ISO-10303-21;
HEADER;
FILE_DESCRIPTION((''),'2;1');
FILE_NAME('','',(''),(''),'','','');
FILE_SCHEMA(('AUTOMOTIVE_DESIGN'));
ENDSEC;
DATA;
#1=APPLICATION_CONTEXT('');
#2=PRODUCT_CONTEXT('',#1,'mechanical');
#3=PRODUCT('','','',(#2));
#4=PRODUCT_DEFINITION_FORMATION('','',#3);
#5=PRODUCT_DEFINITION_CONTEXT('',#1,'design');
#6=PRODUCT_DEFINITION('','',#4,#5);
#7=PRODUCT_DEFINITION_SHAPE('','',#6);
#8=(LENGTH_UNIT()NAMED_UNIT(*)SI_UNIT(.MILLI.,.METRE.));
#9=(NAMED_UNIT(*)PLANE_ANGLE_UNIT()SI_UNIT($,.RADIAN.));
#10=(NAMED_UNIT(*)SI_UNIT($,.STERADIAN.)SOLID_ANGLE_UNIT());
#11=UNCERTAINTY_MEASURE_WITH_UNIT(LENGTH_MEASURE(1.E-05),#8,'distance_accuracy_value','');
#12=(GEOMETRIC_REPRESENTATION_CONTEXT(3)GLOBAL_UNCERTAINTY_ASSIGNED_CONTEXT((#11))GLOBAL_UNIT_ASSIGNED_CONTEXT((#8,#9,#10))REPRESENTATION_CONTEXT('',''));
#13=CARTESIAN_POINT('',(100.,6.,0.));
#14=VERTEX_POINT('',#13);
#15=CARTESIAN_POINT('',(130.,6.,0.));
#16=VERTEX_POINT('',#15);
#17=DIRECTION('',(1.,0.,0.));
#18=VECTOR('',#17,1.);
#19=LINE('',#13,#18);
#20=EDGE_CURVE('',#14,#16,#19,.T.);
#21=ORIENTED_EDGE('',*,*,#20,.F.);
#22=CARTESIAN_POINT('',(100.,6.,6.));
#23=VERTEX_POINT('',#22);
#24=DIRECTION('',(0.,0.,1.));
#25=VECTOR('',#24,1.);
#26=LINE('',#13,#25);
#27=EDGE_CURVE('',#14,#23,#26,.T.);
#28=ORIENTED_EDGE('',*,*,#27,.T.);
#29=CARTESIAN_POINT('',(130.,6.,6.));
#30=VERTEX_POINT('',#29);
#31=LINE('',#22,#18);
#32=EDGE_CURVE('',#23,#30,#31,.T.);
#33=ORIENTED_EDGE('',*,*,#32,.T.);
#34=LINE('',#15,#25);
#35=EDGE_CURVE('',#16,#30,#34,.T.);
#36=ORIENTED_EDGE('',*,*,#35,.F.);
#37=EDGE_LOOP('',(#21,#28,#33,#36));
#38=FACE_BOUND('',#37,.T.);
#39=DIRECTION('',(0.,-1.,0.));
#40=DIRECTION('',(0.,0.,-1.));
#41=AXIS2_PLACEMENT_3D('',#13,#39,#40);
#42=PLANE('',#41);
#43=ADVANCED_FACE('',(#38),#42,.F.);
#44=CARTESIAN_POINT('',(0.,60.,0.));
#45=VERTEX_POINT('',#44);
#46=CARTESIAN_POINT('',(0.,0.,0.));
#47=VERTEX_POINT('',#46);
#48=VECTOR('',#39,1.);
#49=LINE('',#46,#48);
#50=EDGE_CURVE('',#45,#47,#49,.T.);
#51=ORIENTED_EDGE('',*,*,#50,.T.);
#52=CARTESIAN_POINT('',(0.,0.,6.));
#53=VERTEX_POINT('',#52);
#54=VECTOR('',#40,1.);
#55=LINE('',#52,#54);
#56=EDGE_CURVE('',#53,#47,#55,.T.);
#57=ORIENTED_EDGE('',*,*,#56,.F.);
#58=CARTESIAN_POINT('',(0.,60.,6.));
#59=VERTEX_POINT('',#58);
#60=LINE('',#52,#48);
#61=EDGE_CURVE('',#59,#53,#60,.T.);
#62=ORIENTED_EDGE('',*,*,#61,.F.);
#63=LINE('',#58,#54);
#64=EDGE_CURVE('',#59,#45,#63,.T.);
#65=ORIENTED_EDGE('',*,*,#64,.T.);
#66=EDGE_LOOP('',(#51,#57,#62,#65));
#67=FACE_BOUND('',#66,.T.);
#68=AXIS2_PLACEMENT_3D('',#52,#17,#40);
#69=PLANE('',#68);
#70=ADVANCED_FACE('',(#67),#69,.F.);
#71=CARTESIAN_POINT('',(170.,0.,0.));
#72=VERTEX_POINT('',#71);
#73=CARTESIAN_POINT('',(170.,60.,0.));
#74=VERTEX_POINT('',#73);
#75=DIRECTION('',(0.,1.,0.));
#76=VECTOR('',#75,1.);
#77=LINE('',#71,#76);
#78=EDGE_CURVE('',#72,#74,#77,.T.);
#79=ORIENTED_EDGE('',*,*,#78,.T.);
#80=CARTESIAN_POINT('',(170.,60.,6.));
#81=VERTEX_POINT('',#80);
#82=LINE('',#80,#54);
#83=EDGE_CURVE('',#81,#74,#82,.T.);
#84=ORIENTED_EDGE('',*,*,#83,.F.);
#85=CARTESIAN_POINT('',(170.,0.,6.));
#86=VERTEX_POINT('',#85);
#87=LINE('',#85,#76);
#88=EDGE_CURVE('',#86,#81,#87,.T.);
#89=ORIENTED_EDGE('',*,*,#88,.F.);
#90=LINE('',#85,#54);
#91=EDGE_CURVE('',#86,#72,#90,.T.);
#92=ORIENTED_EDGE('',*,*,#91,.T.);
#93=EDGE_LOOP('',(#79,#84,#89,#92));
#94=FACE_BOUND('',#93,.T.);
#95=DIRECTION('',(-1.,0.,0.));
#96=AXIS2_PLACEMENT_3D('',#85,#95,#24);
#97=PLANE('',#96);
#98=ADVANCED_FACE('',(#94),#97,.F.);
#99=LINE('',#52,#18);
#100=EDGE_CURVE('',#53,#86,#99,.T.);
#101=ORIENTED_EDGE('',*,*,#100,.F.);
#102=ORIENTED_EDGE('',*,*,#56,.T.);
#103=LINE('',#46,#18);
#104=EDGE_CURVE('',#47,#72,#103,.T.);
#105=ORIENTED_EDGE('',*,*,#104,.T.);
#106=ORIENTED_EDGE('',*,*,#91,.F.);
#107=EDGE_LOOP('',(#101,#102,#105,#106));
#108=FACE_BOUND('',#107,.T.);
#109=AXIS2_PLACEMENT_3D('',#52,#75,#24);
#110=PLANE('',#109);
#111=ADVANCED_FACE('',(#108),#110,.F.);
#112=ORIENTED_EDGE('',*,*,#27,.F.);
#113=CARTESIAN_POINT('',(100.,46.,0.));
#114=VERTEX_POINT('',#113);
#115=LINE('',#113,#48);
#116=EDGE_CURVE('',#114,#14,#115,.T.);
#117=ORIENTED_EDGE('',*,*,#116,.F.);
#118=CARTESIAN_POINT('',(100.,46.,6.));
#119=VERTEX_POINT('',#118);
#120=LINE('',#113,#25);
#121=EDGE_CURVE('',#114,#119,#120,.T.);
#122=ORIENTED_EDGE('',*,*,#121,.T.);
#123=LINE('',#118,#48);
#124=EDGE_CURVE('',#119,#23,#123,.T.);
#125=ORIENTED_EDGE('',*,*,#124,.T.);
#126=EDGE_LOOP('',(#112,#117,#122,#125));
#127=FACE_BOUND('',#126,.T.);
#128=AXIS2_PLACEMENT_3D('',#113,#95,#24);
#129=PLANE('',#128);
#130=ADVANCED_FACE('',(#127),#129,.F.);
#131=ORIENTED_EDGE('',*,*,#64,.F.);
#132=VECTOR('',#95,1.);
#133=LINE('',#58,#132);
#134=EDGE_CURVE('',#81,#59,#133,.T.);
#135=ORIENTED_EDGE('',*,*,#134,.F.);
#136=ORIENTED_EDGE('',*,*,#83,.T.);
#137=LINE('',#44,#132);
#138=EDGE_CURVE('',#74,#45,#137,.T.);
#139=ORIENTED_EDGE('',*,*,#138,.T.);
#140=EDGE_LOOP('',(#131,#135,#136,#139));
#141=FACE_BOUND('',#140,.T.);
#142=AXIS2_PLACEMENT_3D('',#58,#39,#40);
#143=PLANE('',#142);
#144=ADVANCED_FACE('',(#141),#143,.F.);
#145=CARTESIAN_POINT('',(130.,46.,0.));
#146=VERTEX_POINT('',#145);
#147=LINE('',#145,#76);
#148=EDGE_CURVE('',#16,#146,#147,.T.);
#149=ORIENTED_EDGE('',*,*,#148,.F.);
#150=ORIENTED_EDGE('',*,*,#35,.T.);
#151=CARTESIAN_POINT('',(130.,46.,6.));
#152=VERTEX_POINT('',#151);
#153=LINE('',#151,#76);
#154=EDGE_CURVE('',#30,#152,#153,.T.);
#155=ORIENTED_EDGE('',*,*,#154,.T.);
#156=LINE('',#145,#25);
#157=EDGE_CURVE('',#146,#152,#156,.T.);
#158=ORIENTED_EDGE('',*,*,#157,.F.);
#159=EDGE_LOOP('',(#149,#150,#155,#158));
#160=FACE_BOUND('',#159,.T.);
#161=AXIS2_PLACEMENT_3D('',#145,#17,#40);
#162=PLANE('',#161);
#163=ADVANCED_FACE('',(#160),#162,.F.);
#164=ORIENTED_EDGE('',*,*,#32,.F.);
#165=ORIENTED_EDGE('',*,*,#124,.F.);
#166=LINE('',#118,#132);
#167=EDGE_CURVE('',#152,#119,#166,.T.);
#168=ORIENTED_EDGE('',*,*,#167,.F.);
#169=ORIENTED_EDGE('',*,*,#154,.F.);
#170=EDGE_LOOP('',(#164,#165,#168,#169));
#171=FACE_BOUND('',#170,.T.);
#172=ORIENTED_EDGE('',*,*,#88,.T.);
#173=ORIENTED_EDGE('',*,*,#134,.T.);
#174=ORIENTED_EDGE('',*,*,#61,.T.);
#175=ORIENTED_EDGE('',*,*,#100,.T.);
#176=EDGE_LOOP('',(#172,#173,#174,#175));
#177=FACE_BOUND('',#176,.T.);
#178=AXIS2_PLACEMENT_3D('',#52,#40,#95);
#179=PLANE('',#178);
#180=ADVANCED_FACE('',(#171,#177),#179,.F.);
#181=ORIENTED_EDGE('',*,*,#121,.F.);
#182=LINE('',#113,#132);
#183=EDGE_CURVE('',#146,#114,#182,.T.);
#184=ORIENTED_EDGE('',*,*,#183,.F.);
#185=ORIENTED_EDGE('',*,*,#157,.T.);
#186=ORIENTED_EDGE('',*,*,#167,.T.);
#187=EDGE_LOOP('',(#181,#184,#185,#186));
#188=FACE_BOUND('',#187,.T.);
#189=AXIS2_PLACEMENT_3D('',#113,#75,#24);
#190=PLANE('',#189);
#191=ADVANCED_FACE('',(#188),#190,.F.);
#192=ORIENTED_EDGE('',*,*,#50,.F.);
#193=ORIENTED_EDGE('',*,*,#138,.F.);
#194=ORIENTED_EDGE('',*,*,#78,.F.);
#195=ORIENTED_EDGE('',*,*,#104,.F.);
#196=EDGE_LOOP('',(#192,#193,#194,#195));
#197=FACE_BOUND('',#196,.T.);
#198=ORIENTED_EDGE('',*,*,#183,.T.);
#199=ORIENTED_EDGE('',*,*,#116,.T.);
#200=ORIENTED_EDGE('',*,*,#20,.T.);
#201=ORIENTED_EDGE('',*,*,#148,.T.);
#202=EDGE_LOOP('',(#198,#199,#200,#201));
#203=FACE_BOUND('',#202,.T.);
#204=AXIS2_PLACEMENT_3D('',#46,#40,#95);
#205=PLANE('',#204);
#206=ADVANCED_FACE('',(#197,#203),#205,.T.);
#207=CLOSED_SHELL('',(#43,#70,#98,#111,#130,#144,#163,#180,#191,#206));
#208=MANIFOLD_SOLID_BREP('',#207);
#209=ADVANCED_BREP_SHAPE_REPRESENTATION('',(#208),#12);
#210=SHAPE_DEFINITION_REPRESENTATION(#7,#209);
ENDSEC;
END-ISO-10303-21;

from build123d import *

# Parameters (mm, degrees)
SKETCH1_W           = 170
SKETCH1_H           = 60
BOSS_EXTRUDE1_DEPTH = 6
SKETCH2_W           = 30
SKETCH2_H           = 40
CUT_EXTRUDE1_DEPTH  = 181.377382174


with BuildPart() as part:
    # Sketch1 → Boss-Extrude1 (new body)
    with BuildSketch(Plane.XY):
        with Locations((85, 30)):
            Rectangle(SKETCH1_W, SKETCH1_H)
    extrude(amount=BOSS_EXTRUDE1_DEPTH)

    # Sketch2 → Cut-Extrude1 (cut, through all)
    with BuildSketch(Plane.XY.offset(6)):
        with Locations((115, 26)):
            Rectangle(SKETCH2_W, SKETCH2_H)
    extrude(amount=-CUT_EXTRUDE1_DEPTH, mode=Mode.SUBTRACT)


solid = part.part
